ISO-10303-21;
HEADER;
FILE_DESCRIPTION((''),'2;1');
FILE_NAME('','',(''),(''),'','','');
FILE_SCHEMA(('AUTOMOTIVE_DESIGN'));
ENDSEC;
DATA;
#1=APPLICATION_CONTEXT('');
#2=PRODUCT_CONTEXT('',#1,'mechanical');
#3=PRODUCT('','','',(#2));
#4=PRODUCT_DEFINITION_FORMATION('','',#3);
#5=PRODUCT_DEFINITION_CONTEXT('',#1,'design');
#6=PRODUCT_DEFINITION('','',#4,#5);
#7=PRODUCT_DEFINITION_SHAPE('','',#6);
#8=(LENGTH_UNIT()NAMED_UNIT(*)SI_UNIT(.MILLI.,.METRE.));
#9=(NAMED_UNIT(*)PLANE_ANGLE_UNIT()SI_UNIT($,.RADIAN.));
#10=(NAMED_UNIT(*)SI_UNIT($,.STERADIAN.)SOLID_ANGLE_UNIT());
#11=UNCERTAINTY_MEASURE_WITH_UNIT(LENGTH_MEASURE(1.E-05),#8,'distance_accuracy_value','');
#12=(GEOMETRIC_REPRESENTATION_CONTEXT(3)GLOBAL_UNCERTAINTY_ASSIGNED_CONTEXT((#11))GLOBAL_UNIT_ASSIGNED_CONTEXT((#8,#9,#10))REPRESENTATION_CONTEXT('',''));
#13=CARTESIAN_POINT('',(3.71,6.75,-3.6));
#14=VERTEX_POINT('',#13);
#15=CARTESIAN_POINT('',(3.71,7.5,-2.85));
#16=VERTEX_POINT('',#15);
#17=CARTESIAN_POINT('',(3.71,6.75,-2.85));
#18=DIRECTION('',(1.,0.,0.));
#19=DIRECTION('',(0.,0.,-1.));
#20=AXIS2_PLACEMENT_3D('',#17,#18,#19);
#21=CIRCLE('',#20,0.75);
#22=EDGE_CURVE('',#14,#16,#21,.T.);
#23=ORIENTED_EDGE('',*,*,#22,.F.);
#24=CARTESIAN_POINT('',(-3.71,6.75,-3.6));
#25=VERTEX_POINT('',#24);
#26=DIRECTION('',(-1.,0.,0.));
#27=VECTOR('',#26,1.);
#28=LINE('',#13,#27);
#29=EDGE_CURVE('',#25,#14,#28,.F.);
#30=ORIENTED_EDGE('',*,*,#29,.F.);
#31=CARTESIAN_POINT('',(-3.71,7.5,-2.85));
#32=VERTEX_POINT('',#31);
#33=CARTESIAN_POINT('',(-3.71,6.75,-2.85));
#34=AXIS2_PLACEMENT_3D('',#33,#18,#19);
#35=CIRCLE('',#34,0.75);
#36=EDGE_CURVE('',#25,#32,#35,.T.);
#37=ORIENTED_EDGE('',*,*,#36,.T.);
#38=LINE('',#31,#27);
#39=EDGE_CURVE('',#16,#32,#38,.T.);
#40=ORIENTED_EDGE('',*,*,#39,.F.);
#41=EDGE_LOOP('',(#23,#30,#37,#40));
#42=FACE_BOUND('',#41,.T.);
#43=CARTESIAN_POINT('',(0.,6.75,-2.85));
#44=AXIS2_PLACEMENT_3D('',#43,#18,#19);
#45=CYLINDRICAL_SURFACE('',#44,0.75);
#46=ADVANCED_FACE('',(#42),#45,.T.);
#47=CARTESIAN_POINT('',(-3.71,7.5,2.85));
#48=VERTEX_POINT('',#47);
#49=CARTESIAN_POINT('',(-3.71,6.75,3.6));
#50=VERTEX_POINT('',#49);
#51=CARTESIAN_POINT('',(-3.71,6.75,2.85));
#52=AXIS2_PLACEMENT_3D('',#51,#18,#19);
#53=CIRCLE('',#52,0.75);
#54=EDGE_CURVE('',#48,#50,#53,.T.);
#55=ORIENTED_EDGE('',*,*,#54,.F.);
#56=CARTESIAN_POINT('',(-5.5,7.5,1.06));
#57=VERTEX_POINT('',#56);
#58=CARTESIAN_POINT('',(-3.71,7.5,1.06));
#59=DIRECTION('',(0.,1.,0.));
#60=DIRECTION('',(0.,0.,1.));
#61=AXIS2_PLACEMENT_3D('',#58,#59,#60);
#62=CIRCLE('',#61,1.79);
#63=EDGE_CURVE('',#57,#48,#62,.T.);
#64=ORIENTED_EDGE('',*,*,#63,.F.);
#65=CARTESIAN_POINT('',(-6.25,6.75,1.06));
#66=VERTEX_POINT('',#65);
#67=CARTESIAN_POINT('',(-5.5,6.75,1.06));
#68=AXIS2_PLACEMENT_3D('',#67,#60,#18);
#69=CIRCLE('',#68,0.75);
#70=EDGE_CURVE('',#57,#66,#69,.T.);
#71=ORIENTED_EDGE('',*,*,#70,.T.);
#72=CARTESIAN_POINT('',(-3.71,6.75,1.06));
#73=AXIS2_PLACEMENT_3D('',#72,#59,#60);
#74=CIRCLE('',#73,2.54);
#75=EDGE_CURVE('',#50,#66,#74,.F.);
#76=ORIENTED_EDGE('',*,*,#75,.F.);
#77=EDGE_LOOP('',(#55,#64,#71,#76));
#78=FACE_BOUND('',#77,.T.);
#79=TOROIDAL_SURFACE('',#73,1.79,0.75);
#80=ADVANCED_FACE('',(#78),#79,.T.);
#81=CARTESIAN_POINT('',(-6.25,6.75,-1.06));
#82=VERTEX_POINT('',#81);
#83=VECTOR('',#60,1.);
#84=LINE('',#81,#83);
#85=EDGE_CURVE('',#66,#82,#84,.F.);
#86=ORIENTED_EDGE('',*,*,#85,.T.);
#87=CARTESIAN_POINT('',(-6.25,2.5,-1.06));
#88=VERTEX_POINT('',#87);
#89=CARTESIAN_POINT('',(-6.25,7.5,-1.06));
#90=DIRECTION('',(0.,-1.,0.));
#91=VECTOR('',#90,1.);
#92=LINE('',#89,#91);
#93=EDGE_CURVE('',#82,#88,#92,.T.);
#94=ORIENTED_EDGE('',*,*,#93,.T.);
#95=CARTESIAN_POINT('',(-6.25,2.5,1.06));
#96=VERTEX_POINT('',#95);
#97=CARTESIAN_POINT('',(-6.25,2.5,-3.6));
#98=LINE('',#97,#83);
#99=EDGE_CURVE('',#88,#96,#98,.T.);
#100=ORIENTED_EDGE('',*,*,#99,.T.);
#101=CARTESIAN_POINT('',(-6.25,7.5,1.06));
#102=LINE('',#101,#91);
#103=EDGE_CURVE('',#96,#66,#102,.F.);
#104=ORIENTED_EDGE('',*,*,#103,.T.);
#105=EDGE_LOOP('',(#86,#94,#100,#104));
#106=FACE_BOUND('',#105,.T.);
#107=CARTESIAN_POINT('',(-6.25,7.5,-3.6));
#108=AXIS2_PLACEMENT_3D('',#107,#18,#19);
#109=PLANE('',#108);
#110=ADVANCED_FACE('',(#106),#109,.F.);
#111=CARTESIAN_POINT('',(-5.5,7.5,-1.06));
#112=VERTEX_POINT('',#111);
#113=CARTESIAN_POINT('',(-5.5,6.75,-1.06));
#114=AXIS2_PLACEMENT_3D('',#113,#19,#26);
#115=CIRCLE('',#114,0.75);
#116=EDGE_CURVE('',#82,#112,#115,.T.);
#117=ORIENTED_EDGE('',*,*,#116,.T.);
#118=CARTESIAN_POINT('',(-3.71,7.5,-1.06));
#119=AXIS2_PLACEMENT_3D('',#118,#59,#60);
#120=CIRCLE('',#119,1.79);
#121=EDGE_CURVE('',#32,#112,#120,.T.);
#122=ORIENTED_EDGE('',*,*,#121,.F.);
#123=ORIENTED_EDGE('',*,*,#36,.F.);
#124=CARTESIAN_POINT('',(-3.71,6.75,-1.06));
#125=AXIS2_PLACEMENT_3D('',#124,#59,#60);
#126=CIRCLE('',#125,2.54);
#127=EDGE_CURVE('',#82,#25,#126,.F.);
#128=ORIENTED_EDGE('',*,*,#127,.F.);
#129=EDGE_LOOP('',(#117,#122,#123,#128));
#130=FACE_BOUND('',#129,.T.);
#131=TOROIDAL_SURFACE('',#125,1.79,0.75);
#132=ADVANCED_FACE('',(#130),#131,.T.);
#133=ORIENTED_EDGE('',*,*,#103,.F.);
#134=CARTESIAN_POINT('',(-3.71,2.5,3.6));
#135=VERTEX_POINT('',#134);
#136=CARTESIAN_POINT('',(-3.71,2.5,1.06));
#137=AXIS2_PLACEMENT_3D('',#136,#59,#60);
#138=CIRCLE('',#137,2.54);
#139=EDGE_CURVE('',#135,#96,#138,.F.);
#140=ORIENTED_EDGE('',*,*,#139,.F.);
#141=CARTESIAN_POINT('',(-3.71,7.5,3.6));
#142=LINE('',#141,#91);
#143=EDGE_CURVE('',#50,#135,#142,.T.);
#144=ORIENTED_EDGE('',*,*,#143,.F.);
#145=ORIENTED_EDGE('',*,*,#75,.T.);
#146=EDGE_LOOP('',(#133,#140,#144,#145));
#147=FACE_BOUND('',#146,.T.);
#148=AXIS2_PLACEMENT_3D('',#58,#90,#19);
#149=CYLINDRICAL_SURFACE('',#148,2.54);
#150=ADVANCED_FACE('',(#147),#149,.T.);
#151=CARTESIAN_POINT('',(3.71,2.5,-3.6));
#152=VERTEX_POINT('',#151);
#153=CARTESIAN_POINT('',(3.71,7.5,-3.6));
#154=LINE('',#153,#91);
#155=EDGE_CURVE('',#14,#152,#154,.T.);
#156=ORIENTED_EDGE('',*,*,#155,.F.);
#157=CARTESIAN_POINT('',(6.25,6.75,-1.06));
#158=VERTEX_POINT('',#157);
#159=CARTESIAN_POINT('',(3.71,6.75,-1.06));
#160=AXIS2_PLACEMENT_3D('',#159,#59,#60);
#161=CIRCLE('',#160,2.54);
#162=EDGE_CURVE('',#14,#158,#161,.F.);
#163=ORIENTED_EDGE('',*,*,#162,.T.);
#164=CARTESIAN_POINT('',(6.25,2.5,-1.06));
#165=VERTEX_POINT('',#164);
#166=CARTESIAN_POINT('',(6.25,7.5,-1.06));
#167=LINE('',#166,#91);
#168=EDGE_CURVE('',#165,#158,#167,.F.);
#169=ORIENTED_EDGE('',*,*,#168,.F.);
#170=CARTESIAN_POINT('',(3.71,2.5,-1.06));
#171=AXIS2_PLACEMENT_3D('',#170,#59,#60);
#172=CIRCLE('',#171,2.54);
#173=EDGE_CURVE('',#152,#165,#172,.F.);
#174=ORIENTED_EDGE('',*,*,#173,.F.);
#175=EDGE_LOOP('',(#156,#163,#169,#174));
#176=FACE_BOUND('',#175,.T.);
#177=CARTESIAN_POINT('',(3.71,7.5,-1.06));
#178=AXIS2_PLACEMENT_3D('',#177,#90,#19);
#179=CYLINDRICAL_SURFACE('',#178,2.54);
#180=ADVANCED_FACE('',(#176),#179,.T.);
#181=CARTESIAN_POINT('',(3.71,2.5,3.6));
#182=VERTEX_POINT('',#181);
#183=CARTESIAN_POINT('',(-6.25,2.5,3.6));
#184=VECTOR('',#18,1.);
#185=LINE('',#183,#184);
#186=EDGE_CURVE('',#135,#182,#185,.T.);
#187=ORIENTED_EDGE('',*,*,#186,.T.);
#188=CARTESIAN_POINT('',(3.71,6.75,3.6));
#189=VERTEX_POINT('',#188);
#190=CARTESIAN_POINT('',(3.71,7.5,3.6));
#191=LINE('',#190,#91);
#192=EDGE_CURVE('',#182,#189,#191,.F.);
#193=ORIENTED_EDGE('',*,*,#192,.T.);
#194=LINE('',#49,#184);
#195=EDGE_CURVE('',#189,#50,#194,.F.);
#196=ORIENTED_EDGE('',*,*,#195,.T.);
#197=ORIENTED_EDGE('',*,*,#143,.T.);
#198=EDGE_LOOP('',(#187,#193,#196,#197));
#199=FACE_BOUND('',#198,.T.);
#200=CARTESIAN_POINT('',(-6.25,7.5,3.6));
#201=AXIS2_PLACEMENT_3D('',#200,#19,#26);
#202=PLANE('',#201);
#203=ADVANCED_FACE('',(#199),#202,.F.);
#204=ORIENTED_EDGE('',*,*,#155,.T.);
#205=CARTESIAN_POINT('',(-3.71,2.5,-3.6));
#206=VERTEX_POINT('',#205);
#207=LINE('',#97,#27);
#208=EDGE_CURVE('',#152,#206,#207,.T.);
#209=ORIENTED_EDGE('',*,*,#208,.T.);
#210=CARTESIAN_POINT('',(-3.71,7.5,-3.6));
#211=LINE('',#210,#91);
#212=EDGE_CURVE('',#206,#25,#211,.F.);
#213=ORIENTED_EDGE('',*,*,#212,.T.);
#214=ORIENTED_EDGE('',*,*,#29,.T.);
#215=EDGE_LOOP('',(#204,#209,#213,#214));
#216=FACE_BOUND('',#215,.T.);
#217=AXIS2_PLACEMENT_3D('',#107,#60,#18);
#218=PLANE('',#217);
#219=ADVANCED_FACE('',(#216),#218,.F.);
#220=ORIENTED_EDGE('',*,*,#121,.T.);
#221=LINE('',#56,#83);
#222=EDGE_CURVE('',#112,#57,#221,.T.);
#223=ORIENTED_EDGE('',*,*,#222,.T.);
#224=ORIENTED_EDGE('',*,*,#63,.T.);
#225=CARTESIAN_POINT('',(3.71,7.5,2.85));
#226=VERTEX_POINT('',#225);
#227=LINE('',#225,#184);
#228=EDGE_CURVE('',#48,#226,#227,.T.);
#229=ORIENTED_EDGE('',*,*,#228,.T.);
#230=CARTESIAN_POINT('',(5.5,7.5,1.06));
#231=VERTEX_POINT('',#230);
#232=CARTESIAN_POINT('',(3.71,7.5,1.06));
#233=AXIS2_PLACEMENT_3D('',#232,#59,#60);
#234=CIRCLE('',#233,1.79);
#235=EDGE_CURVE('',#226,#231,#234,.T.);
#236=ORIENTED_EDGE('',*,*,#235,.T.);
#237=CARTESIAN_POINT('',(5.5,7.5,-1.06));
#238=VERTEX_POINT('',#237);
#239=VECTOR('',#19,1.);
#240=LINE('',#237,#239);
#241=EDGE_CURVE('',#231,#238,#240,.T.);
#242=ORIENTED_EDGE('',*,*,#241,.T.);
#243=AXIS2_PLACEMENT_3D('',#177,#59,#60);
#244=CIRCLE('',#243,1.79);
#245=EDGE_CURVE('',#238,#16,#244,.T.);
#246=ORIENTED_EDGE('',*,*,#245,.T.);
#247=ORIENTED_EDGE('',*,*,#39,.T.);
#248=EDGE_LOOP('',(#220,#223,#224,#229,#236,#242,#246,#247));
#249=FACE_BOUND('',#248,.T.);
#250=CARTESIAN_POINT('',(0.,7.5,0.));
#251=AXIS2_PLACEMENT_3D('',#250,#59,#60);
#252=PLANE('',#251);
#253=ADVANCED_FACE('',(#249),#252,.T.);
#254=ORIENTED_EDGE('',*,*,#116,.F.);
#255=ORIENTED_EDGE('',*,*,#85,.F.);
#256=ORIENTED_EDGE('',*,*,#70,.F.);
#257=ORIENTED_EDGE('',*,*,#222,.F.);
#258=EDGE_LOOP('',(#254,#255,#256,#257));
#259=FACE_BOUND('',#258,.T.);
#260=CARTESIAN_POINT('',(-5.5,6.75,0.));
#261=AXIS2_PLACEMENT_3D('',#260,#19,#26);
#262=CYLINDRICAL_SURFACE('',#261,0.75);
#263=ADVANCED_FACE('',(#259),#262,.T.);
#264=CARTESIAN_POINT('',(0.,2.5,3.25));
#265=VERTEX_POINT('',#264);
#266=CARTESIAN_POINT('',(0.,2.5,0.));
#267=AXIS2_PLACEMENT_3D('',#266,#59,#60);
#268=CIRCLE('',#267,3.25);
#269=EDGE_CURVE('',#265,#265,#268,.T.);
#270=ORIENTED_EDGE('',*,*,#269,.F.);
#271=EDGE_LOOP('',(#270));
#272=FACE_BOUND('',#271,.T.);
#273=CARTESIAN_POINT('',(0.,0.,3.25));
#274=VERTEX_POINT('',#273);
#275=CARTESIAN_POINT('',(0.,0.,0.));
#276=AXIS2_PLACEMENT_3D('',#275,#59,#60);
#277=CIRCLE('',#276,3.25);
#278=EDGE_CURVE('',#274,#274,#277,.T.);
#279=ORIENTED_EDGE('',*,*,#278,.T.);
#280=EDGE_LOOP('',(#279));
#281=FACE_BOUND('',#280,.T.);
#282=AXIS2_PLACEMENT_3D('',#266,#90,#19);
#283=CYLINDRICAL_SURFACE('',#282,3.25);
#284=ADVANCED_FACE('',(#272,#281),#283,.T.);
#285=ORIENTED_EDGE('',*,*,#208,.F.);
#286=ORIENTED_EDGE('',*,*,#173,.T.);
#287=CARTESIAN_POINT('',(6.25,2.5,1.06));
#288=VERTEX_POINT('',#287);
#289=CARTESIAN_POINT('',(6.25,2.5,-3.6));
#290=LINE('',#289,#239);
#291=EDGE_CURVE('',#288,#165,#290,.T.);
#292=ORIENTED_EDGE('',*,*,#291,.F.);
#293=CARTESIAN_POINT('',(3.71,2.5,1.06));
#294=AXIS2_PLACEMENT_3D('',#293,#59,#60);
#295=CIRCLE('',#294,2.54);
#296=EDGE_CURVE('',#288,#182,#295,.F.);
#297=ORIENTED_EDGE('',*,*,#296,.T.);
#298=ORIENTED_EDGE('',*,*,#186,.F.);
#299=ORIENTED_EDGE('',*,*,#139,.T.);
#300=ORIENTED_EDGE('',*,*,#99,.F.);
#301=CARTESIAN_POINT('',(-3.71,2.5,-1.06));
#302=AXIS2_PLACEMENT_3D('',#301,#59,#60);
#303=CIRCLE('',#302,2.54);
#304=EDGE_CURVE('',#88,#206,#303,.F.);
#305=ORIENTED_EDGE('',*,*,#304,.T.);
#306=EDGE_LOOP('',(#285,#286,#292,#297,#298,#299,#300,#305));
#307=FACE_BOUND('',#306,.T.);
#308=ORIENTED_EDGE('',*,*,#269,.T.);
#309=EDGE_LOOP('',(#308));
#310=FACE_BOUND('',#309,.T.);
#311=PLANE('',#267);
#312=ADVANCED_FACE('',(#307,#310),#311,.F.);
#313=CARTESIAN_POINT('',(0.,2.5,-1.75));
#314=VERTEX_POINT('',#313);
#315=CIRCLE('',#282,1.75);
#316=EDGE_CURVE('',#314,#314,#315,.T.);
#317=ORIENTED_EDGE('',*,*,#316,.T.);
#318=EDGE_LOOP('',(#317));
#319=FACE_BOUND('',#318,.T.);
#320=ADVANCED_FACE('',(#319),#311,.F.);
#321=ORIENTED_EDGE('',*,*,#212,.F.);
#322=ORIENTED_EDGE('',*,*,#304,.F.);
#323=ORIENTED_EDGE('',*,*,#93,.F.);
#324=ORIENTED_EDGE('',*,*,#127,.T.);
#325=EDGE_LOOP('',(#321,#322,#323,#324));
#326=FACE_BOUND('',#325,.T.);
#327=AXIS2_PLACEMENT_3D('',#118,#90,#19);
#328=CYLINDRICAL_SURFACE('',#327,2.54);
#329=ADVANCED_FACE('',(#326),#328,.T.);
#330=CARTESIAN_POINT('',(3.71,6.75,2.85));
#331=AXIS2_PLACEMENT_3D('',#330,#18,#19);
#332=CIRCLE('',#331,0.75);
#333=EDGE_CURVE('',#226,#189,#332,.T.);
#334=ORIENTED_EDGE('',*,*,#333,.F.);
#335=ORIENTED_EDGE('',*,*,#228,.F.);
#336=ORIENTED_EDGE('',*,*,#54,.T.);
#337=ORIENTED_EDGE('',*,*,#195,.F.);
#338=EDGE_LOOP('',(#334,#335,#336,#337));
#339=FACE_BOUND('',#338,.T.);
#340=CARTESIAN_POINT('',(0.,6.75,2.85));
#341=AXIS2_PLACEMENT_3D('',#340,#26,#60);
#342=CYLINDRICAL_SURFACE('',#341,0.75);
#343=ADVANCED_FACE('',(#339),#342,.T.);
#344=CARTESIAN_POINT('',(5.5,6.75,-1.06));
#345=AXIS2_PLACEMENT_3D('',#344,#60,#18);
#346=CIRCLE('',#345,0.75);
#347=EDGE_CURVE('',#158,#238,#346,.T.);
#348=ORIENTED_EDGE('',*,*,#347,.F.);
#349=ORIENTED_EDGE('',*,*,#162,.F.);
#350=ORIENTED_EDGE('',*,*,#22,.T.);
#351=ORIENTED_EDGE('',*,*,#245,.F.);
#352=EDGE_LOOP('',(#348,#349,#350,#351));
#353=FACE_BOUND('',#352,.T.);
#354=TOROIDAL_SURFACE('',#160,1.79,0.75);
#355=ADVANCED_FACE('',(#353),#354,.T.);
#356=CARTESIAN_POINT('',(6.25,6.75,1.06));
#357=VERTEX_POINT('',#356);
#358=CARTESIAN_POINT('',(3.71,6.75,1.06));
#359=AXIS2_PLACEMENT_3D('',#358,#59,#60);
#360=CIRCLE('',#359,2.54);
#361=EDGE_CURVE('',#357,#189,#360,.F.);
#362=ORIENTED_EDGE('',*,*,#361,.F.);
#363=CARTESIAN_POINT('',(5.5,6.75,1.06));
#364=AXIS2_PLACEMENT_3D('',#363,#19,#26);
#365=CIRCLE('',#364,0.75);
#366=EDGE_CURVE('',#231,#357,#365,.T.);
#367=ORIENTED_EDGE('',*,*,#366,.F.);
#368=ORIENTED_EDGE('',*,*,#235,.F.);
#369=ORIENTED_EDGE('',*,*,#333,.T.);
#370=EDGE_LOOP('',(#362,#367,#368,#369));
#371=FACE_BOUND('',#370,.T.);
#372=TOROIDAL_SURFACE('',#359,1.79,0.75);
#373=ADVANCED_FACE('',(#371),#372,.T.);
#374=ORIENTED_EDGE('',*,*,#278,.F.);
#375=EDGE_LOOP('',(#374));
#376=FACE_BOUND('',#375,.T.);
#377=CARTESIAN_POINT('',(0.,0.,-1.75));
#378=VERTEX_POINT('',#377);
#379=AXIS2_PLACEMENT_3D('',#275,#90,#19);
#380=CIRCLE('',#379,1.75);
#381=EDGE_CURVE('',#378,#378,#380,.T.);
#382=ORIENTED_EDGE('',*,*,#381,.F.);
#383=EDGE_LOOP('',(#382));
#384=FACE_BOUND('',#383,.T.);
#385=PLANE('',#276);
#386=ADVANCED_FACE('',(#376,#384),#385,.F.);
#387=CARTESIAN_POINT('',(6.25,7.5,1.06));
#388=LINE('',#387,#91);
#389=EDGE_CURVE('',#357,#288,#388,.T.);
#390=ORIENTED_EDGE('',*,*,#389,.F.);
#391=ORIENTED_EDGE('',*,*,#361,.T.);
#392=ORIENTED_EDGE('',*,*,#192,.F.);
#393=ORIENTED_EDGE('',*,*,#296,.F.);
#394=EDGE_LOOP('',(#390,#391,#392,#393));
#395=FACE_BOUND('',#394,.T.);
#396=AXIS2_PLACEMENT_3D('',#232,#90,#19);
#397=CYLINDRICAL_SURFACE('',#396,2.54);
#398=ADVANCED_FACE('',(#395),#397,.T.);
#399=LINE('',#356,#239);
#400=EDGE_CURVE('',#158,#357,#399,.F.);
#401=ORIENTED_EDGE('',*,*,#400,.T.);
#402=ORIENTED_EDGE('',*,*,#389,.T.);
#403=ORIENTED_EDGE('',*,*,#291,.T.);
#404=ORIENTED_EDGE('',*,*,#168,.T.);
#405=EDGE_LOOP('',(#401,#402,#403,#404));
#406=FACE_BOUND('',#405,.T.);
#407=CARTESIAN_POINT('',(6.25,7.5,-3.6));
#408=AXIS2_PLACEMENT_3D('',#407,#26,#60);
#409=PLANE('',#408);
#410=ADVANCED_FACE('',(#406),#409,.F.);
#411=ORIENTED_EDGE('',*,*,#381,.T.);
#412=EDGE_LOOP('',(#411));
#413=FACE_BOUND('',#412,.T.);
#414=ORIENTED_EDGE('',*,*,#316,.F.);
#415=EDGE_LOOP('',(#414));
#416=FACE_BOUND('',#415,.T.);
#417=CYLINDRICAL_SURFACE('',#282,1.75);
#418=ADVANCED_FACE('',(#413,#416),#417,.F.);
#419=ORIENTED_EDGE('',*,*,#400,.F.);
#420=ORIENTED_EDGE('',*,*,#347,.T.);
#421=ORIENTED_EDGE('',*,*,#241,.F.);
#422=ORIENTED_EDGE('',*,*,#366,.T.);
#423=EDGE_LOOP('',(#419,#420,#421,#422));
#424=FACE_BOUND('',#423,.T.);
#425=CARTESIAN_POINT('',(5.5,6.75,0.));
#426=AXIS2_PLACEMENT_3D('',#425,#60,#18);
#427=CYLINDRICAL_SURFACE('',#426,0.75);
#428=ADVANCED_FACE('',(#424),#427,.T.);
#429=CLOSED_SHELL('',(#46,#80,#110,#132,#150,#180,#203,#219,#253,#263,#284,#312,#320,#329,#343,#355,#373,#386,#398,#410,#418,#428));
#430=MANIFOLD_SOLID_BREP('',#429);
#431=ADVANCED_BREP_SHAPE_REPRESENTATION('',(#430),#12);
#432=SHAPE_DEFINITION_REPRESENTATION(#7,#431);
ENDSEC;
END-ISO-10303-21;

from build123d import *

# Parameters (mm, degrees)
SKETCH1_R           = 3.25
BOSS_EXTRUDE1_DEPTH = 2.5
SKETCH2_R           = 1.75
CUT_EXTRUDE1_DEPTH  = 2.5
SKETCH3_W           = 12.5
SKETCH3_H           = 7.2
BOSS_EXTRUDE2_DEPTH = 5
FILLET1_R           = 2.54
FILLET2_R           = 0.75


with BuildPart() as part:
    # Sketch1 → Boss-Extrude1 (new body)
    with BuildSketch(Plane(origin=(0, 0, 0), x_dir=(1, 0, 0), z_dir=(0, 1, 0))):
        Circle(SKETCH1_R)
    extrude(amount=BOSS_EXTRUDE1_DEPTH)

    # Sketch2 → Cut-Extrude1 (cut)
    with BuildSketch(Plane.XZ):
        Circle(SKETCH2_R)
    extrude(amount=-CUT_EXTRUDE1_DEPTH, mode=Mode.SUBTRACT)

    # Sketch3 → Boss-Extrude2 (add)
    with BuildSketch(Plane(origin=(0, 2.5, 0), x_dir=(1, 0, 0), z_dir=(0, 1, 0))):
        Rectangle(SKETCH3_W, SKETCH3_H)
    extrude(amount=BOSS_EXTRUDE2_DEPTH)

    # Fillet1
    fillet1_edges = [part.edges().sort_by_distance(p)[0] for p in [
        (6.25, 5, 3.6),
        (6.25, 5, -3.6),
        (-6.25, 5, -3.6),
        (-6.25, 5, 3.6),
    ]]
    fillet(fillet1_edges, radius=FILLET1_R)

    # Fillet2
    fillet2_edges = [part.edges().sort_by_distance(p)[0] for p in [
        (-6.25, 7.5, 0),
        (0, 7.5, -3.6),
        (6.25, 7.5, 0),
        (0, 7.5, 3.6),
        (-5.506051224, 7.5, 2.856051224),
        (5.506051224, 7.5, 2.856051224),
        (5.506051224, 7.5, -2.856051224),
        (-5.506051224, 7.5, -2.856051224),
    ]]
    fillet(fillet2_edges, radius=FILLET2_R)


solid = part.part
